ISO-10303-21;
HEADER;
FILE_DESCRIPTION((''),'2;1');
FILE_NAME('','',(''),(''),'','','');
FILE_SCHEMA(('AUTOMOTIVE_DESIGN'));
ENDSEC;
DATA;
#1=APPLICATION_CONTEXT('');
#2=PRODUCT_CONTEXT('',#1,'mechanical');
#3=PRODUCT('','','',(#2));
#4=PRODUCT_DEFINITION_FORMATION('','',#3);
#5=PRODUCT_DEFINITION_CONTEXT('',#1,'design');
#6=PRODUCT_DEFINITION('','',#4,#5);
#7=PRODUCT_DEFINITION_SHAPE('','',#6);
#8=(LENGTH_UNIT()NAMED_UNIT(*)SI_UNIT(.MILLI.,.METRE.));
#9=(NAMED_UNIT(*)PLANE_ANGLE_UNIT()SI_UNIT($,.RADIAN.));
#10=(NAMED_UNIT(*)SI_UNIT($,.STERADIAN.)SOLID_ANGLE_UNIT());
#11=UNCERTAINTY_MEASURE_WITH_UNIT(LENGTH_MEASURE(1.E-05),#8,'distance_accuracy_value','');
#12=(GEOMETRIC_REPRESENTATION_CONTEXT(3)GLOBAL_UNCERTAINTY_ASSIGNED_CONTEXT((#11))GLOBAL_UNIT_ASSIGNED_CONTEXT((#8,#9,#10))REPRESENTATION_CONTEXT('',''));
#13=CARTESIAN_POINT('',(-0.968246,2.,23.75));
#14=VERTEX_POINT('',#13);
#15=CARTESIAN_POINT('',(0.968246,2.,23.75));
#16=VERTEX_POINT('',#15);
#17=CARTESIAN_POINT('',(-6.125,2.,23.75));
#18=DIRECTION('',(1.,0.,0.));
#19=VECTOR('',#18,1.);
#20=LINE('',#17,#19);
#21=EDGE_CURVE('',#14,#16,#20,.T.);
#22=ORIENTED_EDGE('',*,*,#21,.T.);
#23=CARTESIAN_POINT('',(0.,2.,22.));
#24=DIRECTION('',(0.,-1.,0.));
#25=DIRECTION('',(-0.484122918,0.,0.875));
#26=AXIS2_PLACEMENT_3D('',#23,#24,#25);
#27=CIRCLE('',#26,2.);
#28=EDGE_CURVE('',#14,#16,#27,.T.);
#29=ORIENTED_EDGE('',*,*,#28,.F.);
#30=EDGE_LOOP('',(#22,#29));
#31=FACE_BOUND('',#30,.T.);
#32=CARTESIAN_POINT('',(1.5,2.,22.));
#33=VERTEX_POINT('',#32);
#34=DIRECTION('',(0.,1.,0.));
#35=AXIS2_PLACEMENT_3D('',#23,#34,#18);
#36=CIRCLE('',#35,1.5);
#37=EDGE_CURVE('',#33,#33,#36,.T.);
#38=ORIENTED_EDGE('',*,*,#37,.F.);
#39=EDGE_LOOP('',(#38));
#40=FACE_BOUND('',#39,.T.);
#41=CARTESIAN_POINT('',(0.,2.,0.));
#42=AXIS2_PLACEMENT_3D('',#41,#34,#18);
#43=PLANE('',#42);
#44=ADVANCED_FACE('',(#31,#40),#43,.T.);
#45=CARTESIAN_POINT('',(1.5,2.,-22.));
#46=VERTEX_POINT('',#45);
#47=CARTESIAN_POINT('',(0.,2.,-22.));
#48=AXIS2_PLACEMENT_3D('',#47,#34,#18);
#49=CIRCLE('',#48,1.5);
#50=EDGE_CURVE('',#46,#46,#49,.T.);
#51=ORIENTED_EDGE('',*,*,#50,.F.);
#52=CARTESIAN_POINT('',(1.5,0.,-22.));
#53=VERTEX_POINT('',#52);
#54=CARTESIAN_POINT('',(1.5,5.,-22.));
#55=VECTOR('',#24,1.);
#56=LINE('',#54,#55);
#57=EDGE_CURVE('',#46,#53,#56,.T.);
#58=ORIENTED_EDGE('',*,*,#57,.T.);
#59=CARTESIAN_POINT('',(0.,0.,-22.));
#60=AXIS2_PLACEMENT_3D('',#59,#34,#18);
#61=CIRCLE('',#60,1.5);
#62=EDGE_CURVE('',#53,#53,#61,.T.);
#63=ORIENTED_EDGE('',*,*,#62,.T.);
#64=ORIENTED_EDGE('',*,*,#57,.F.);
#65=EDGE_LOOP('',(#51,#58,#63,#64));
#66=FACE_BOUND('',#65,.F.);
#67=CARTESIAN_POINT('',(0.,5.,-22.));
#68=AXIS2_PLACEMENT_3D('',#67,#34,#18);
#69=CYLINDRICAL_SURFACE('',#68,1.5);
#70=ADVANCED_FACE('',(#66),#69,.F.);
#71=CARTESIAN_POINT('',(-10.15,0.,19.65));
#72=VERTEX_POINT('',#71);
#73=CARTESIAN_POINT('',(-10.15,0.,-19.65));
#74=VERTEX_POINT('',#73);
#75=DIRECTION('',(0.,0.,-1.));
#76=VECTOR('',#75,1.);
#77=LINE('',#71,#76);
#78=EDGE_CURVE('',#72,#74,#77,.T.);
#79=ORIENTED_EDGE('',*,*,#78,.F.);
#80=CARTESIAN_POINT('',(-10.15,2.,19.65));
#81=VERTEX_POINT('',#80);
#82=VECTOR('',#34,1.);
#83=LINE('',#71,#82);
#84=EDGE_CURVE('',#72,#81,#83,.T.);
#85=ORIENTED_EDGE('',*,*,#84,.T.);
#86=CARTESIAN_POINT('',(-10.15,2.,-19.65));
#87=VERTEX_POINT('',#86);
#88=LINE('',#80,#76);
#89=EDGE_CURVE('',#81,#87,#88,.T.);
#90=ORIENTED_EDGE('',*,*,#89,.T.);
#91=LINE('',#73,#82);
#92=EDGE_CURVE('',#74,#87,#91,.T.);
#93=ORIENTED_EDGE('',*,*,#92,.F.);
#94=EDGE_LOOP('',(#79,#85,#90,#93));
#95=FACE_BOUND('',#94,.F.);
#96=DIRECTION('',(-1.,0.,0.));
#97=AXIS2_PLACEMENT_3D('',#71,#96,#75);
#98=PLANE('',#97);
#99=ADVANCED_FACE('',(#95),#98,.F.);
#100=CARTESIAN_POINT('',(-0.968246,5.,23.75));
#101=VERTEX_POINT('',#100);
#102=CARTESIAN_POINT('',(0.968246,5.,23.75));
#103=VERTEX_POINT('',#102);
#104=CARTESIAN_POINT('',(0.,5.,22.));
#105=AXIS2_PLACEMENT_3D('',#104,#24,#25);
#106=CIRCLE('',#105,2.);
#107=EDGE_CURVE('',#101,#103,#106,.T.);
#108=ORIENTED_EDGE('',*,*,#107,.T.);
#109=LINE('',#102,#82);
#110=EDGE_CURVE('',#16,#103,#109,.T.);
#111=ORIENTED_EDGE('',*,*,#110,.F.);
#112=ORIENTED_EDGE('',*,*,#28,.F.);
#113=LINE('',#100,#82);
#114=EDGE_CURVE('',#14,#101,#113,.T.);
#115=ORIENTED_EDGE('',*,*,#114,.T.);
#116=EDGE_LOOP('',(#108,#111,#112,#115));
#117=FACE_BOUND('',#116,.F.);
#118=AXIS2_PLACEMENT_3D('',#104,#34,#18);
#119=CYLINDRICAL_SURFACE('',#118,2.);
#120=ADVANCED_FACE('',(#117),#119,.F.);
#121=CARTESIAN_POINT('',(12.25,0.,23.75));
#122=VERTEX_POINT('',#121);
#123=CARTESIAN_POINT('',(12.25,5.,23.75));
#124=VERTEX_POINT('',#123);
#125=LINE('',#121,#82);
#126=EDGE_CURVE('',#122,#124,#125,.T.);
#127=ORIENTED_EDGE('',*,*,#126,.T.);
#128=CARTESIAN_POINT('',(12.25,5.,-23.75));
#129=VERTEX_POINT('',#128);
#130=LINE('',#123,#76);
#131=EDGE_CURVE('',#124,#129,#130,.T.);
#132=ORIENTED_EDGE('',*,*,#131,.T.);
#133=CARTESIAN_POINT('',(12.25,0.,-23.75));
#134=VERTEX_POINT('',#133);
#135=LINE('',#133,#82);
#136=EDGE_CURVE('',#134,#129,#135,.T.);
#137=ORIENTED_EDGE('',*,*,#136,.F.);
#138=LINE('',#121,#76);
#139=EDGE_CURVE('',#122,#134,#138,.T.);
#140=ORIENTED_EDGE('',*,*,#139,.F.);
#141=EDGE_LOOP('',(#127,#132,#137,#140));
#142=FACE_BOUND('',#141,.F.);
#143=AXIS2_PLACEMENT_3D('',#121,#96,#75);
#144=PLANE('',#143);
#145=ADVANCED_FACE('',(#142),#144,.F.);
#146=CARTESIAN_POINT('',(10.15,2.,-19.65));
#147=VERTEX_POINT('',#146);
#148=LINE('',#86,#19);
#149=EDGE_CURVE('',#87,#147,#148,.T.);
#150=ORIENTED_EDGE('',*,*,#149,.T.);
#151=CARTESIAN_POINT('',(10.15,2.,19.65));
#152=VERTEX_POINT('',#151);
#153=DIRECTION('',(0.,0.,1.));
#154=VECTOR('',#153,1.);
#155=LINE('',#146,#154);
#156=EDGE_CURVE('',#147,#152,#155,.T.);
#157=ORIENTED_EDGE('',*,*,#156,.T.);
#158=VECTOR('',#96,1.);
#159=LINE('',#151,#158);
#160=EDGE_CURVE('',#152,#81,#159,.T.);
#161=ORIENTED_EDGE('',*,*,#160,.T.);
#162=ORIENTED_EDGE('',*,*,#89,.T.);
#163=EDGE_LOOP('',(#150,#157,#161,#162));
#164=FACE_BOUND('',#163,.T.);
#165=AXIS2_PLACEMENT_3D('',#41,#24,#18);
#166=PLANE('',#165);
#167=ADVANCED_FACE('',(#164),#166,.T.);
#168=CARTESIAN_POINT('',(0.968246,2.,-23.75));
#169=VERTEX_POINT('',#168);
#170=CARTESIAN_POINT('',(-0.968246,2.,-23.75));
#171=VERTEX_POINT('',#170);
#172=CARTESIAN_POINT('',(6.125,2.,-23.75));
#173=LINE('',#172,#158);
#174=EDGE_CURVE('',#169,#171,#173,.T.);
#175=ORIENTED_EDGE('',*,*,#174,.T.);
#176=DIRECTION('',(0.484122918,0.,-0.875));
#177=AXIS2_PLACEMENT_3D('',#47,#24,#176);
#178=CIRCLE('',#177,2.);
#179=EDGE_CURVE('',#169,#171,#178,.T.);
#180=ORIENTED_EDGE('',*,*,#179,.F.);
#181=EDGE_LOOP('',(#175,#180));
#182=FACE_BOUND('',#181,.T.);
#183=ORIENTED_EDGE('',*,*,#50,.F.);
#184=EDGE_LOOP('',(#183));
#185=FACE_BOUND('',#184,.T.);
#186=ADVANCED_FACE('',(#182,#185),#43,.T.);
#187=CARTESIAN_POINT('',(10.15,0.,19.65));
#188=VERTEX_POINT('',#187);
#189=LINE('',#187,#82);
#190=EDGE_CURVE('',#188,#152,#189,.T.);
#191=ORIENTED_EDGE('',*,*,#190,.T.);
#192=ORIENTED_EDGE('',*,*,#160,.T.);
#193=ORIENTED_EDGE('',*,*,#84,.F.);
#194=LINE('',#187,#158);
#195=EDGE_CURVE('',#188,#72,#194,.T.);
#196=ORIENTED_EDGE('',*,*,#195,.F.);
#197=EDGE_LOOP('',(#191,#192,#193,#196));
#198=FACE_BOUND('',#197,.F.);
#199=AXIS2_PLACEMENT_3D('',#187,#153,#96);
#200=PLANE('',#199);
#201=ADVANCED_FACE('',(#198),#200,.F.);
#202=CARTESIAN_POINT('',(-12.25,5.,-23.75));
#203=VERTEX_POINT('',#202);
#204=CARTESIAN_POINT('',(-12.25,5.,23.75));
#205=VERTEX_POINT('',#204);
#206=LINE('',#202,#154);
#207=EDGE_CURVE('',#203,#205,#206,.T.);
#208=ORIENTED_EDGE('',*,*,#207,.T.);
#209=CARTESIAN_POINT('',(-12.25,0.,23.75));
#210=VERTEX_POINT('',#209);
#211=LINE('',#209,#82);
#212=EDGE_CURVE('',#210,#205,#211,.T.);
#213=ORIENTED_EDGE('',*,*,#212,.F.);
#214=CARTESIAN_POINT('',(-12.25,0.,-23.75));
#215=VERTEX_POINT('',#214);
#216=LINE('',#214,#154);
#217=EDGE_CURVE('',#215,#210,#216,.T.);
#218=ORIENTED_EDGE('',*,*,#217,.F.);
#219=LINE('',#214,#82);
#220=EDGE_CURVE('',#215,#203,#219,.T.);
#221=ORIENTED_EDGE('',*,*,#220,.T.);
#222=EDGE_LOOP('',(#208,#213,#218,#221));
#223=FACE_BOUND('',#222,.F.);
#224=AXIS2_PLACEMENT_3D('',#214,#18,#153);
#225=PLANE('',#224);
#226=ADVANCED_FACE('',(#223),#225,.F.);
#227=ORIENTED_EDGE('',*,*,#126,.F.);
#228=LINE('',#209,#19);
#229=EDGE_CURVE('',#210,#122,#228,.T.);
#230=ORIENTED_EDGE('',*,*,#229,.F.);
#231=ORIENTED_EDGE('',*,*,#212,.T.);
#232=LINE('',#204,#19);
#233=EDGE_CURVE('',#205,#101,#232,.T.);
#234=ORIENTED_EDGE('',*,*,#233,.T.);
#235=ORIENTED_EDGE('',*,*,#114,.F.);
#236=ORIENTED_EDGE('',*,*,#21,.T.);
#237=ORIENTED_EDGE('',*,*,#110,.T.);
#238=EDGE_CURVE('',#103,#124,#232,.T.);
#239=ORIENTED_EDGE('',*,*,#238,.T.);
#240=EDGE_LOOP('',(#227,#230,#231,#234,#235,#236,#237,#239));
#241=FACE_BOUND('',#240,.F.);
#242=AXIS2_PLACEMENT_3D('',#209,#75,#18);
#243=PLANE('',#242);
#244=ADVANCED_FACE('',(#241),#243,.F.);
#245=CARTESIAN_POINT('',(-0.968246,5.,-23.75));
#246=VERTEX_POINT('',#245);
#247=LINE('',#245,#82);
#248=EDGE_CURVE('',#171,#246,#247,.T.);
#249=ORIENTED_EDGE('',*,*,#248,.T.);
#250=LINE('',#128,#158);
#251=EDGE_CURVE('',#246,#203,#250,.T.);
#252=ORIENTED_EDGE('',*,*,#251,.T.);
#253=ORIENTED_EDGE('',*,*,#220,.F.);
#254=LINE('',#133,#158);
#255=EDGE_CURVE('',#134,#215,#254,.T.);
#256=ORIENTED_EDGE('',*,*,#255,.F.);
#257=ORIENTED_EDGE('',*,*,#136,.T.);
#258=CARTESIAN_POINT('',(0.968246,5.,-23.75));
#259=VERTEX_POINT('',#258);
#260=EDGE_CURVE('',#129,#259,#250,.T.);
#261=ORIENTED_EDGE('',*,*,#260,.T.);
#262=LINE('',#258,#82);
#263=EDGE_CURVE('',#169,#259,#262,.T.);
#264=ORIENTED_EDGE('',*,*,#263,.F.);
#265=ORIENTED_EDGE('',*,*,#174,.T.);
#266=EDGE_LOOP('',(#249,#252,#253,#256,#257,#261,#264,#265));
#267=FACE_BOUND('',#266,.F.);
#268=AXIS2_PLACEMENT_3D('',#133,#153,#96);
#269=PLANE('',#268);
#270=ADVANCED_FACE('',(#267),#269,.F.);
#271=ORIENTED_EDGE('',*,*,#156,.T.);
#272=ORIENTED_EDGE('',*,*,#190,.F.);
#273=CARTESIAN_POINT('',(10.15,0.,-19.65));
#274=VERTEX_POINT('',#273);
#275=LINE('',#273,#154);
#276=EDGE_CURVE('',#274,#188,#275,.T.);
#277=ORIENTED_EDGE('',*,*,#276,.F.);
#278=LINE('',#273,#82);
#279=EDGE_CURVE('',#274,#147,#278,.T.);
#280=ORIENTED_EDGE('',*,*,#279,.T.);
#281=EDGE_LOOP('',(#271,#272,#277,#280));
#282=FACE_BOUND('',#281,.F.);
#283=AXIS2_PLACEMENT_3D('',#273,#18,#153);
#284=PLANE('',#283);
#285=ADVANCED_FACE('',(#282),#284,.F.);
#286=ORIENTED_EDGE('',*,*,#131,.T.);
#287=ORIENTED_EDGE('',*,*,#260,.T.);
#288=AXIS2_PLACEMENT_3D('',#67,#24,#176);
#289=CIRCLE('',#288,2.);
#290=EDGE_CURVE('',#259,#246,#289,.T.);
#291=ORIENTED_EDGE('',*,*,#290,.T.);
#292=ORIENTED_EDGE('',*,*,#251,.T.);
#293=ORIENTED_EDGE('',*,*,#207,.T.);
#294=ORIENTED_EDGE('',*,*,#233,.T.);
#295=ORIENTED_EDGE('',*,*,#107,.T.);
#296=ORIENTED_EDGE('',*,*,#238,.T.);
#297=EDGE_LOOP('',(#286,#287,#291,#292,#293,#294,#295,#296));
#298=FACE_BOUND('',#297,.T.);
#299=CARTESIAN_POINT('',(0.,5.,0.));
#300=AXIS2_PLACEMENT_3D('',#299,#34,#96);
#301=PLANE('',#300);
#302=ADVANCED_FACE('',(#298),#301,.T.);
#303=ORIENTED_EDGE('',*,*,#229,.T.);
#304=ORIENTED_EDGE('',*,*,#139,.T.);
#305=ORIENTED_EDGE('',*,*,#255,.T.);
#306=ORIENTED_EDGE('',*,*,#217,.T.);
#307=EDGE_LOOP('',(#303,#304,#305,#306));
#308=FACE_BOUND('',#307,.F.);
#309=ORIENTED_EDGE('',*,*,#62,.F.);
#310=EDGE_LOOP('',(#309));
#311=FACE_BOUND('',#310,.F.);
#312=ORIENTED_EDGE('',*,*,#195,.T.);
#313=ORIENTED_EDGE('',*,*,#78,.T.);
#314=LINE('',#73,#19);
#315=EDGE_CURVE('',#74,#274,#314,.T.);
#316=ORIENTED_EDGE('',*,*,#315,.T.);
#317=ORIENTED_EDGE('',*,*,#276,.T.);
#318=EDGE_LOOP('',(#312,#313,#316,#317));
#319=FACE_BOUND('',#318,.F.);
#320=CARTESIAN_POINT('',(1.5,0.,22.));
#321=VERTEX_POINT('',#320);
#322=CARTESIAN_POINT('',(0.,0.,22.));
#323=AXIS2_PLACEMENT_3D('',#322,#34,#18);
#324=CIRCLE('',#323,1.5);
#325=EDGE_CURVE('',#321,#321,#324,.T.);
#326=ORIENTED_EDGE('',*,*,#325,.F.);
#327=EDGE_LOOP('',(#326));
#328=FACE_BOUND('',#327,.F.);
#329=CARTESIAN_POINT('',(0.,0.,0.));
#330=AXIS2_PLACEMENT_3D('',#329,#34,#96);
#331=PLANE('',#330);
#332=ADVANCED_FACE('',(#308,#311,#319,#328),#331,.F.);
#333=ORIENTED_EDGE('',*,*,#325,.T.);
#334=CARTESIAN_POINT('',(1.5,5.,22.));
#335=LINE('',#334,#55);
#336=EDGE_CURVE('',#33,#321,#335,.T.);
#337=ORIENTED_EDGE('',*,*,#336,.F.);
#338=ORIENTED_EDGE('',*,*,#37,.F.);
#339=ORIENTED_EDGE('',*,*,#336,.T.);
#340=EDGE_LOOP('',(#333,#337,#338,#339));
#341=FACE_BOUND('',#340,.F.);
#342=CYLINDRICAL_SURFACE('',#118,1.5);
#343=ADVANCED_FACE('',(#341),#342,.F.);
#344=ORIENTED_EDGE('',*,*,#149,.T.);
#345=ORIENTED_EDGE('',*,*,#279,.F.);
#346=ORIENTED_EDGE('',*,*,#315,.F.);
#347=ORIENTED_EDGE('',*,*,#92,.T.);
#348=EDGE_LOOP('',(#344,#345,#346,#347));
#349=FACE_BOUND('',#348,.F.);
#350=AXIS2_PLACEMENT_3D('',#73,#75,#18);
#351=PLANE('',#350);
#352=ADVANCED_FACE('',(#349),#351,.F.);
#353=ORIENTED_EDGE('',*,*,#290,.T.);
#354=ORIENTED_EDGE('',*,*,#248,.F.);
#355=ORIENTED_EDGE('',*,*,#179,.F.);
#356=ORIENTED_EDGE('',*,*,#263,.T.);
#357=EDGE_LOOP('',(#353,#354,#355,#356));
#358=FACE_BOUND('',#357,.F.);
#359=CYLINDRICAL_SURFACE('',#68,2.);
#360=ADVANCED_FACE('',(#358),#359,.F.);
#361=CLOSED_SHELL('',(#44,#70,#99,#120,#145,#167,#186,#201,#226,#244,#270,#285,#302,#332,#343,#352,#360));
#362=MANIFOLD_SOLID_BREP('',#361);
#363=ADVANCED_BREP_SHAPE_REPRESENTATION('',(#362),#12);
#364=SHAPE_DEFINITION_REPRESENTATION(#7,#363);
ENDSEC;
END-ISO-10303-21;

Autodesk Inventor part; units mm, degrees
ref_plane "YZ Plane" through (0, 0, 0) normal (1, 0, 0) x (0, 1, 0)
ref_plane "XZ Plane" through (0, 0, 0) normal (0, 1, 0) x (-1, 0, 0)
ref_plane "XY Plane" through (0, 0, 0) normal (0, 0, 1) x (1, 0, 0)
sketch "Sketch1" plane through (0, 0, 0) normal (0, 1, 0) x (-1, 0, 0)
  line L0 (12.25, 23.75) -> (-12.25, 23.75)
  line L1 (-12.25, 23.75) -> (-12.25, -23.75)
  line L2 (-12.25, -23.75) -> (12.25, -23.75)
  line L3 (12.25, -23.75) -> (12.25, 23.75)
  point P0 (0, 0)
  dimension "d0" = 12.25
  dimension "d1" = 12.25
  dimension "d2" = 23.75
  dimension "d3" = 23.75
extrude "Extrusion1" add sketch "Sketch1" along normal blind 5
sketch "Sketch2" plane through (0, 5, 0) normal (0, 1, 0) x (1, 0, 0)
  circle A0 centre (0, -22) radius 1.5
  circle A1 centre (0, 22) radius 1.5
  point P0 (0, 0)
  dimension "d6" = 3
  dimension "d7" = 3
  dimension "d8" = 22
  dimension "d9" = 22
  dimension "d10" = 0
  dimension "d11" = 0
extrude "Extrusion2" cut sketch "Sketch2" against normal up to surface (5 mm away)
sketch "Sketch4" plane through (0, 5, 0) normal (0, 1, 0) x (1, 0, 0)
  circle A0 centre (0, -22) radius 1.5 projected
  circle A1 centre (0, 22) radius 1.5 projected
  line L0 (-12.25, -23.75) -> (12.25, -23.75) projected
  line L1 (12.25, -23.75) -> (12.25, 23.75) projected
  line L2 (12.25, 23.75) -> (-12.25, 23.75) projected
  line L3 (-12.25, 23.75) -> (-12.25, -23.75) projected
  circle A2 centre (0, -22) radius 2
  circle A3 centre (0, 22) radius 2
  point P0 (0, 0)
  dimension "d14" = 4
  dimension "d15" = 4
extrude "Extrusion3" cut sketch "Sketch4" against normal blind 3 contours A2 L0 | L0 A2 | A3 L2 | L2 A3
sketch "Sketch5" plane through (0, 0, 0) normal (0, -1, 0) x (1, 0, 0)
  line L0 (-12.25, -23.75) -> (-12.25, 23.75) projected
  line L1 (-12.25, 23.75) -> (12.25, 23.75) projected
  line L2 (12.25, -23.75) -> (-12.25, -23.75) projected
  line L3 (10.15, 19.65) -> (-10.15, 19.65)
  line L4 (-10.15, 19.65) -> (-10.15, -19.65)
  line L5 (-10.15, -19.65) -> (10.15, -19.65)
  line L6 (10.15, -19.65) -> (10.15, 19.65)
  line L7 (12.25, 23.75) -> (12.25, -23.75) projected
  point P0 (0, 0)
  dimension "d20" = 4.1
  dimension "d21" = 4.1
  dimension "d22" = 2.1
  dimension "d23" = 2.1
extrude "Extrusion4" cut sketch "Sketch5" against normal blind 2 contours L6 L5 L4 L3
equation "\"d1\" = d0"
equation "\"d3\" = d2"
equation "\"d21\" = d20"
equation "\"d23\" = d22"
properties part number "Bottom"
